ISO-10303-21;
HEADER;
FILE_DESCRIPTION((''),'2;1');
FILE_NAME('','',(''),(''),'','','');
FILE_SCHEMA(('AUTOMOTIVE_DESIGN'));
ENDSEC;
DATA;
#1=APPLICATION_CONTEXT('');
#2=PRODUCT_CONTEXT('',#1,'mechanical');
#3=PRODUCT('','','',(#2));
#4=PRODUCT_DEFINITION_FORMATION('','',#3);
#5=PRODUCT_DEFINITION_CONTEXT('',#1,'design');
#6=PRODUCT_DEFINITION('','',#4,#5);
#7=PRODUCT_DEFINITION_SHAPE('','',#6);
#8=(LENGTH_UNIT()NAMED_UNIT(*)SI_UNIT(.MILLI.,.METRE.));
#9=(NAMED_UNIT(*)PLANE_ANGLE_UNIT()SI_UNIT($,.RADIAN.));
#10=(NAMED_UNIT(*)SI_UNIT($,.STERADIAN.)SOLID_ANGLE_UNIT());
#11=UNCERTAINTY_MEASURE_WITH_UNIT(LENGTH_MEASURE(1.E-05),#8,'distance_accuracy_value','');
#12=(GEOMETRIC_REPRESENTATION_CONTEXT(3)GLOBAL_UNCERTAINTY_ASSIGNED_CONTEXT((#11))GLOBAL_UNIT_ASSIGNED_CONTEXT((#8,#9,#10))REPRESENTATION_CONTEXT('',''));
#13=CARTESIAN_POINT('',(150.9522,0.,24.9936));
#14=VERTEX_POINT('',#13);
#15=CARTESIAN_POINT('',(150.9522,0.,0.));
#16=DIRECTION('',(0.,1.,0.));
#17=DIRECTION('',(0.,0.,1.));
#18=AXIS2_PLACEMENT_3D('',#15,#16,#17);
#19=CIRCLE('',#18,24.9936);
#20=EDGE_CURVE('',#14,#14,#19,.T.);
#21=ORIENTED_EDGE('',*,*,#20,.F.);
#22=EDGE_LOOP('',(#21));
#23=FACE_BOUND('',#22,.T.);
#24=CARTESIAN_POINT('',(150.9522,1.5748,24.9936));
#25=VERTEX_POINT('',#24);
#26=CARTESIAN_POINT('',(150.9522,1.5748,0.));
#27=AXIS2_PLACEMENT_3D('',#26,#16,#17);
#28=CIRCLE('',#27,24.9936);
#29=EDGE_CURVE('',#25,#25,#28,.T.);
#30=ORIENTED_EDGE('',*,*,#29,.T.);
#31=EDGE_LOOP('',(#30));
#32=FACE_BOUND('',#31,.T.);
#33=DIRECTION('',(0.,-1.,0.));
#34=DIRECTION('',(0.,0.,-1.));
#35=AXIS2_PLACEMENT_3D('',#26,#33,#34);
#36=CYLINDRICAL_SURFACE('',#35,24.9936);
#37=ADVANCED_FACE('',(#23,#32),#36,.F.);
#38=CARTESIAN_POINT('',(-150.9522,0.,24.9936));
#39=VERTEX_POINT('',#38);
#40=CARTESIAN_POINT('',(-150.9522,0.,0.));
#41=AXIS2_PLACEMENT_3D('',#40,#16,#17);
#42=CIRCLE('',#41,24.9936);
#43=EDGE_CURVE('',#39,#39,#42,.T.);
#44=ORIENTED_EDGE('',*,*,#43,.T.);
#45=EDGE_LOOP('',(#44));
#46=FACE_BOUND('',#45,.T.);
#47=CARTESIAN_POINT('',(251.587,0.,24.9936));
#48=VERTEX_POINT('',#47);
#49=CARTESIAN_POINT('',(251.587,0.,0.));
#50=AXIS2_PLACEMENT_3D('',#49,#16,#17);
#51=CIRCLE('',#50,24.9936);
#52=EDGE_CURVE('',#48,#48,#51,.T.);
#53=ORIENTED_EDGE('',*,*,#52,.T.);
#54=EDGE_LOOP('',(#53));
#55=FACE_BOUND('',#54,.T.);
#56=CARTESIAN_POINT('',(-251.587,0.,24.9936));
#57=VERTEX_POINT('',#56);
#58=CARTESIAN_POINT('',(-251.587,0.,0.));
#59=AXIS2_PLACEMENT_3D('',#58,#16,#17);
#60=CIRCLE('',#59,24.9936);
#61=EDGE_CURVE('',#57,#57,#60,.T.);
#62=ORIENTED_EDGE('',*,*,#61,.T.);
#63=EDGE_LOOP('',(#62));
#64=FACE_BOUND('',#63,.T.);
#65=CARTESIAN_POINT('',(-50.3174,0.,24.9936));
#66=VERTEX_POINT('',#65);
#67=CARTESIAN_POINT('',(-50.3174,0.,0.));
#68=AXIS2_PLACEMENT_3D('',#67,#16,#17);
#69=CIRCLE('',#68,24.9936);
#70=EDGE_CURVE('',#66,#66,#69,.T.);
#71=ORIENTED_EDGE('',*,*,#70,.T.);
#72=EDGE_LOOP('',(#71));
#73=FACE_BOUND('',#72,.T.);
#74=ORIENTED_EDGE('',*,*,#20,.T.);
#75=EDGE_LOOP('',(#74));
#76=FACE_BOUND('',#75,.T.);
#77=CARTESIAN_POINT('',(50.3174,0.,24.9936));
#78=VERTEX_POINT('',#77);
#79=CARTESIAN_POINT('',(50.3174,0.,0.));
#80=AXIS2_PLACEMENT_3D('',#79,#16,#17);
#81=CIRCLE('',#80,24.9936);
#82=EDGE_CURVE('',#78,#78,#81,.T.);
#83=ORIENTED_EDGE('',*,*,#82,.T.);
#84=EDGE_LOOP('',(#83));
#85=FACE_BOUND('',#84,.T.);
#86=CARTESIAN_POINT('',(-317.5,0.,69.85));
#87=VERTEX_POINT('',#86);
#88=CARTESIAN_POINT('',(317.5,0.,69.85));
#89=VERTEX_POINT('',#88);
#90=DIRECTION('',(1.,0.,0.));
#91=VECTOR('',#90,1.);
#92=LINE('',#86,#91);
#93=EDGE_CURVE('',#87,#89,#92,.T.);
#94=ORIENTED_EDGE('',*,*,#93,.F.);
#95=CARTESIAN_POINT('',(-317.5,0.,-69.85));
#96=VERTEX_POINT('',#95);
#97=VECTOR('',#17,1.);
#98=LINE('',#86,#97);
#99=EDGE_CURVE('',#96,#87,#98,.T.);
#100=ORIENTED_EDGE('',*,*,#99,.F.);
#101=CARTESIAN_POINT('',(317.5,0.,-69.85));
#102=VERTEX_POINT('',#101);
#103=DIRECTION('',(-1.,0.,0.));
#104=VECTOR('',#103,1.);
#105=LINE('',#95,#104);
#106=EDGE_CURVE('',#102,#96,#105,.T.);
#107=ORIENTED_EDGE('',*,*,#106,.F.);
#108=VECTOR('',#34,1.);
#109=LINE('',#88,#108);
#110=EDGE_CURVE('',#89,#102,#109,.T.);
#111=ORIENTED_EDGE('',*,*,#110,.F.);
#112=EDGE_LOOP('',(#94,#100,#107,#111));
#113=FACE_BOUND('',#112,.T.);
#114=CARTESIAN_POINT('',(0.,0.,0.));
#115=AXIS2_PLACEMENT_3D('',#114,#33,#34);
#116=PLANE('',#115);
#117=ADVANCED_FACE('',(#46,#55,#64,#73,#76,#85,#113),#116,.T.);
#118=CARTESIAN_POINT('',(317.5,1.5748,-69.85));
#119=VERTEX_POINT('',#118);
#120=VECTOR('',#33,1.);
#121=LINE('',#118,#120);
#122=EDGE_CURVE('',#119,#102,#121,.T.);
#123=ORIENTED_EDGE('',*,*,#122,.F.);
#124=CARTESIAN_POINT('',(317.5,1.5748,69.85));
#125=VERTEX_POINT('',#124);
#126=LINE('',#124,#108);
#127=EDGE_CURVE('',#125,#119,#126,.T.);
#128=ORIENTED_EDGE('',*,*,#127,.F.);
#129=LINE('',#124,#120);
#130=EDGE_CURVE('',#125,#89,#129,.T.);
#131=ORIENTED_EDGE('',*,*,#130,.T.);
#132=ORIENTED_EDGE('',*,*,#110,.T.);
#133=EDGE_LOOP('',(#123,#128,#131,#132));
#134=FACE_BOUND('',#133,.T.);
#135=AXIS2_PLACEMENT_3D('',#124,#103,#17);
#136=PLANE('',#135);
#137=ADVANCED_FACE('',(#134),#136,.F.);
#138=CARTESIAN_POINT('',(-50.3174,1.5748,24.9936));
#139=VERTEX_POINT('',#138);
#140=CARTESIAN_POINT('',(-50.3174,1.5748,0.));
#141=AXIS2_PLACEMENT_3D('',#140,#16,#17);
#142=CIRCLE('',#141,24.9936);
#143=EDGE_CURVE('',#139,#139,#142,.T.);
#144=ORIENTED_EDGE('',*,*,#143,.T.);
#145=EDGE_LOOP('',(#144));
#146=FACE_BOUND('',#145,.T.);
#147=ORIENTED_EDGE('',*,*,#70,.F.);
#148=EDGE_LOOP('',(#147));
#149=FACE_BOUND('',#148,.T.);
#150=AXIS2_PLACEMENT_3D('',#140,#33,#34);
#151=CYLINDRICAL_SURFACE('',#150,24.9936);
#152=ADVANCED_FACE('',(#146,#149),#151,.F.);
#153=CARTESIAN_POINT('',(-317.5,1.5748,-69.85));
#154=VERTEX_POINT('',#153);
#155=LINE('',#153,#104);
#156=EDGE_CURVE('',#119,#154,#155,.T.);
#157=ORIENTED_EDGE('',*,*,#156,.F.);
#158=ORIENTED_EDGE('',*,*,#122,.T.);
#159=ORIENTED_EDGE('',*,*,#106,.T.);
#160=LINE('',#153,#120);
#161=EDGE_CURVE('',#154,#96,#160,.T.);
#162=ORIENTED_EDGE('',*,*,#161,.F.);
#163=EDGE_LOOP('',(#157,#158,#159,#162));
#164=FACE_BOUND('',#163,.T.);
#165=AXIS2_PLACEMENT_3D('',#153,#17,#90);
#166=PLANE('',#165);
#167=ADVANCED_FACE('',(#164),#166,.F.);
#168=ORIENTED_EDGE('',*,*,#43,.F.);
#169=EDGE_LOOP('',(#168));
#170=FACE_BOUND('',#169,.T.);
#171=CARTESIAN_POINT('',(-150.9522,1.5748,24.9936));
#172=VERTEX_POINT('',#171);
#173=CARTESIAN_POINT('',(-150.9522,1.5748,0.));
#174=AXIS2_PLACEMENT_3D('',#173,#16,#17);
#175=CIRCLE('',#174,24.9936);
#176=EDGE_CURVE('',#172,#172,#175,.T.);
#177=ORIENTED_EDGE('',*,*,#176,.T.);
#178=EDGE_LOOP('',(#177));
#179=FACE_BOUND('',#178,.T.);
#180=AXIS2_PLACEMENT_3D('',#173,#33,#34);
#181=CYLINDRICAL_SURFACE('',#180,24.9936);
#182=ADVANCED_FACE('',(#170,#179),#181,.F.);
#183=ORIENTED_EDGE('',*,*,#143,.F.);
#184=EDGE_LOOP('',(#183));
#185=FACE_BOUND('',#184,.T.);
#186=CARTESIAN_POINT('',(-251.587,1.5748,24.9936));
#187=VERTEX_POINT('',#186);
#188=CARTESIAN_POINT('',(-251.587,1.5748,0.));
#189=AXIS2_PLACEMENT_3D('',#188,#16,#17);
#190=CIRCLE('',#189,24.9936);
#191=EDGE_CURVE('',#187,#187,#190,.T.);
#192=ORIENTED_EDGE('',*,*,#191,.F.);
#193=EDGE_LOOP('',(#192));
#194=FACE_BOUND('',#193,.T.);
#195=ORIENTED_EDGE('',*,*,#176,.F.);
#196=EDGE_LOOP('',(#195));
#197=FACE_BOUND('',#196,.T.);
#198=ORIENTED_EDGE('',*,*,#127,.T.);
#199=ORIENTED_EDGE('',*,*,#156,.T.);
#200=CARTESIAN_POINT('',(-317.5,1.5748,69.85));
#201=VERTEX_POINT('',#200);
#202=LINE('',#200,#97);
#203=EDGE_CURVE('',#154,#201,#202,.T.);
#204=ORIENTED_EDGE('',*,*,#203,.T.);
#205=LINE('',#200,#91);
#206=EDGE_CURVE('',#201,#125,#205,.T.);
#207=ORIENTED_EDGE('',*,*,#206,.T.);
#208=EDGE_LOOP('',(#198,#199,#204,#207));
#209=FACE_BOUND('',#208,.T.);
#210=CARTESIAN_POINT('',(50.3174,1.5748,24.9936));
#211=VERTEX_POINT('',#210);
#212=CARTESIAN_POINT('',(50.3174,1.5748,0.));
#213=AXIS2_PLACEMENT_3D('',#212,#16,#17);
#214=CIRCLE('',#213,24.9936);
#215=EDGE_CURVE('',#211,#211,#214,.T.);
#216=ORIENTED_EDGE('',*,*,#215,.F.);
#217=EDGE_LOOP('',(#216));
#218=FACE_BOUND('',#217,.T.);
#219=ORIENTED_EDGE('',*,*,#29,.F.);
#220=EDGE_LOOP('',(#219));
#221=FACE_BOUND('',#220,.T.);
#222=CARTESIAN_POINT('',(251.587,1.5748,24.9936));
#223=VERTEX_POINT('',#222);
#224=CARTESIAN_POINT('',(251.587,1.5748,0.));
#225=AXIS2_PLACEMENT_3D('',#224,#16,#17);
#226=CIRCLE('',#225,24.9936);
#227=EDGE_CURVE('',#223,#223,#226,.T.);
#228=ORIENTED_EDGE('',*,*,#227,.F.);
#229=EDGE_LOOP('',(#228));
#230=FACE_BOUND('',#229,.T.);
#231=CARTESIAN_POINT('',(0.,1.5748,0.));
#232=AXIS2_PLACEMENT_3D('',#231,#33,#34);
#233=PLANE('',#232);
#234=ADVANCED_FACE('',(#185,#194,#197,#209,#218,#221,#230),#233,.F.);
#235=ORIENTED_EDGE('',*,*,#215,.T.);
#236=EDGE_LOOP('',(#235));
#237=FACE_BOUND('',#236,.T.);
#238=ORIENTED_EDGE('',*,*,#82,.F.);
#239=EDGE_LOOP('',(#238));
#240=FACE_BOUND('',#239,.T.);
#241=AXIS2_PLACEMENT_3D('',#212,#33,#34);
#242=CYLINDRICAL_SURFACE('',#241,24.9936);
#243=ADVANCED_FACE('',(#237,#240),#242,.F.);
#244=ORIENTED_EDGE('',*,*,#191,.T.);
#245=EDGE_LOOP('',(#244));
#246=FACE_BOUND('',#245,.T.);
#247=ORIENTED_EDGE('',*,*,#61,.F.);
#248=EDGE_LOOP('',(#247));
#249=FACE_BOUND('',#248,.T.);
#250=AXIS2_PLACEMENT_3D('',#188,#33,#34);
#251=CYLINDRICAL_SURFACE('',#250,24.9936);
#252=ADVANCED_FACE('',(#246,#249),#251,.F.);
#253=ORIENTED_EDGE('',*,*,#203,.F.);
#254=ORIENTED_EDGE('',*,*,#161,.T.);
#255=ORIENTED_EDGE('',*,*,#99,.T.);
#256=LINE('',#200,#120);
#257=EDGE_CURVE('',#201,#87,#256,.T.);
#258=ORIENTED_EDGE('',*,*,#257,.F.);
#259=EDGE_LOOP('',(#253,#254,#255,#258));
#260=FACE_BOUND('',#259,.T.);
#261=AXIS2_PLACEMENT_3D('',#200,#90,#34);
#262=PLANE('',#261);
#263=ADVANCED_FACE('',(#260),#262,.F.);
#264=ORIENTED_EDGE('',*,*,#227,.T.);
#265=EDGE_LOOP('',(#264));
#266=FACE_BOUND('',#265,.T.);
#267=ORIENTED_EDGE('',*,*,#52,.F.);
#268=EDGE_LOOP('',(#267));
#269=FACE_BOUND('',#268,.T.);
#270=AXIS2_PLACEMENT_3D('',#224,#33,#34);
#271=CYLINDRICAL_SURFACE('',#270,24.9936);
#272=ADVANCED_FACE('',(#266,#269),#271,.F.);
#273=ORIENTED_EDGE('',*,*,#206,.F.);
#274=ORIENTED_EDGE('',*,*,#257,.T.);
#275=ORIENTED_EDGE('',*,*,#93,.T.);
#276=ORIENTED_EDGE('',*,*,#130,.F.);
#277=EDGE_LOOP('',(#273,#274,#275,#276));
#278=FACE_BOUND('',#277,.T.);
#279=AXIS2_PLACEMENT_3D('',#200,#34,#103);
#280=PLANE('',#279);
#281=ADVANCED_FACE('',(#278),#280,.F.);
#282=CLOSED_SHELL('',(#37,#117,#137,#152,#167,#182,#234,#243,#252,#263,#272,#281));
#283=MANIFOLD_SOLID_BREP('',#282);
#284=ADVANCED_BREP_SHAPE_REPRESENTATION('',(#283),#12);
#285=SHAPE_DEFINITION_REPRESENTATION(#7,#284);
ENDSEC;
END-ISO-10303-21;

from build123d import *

# Parameters (mm, degrees)
SKETCH1_W           = 635
SKETCH1_H           = 139.7
SKETCH1_R           = 24.9936
BOSS_EXTRUDE1_DEPTH = 1.5748


with BuildPart() as part:
    # Sketch1 → Boss-Extrude1 (new body)
    with BuildSketch(Plane(origin=(0, 0, 0), x_dir=(1, 0, 0), z_dir=(0, 1, 0))):
        Rectangle(SKETCH1_W, SKETCH1_H)
        with Locations(Location((-251.587, 0, 0), (0, 0, 270))):
            Circle(SKETCH1_R, mode=Mode.SUBTRACT)
        with Locations(Location((-150.9522, 0, 0), (0, 0, 270))):
            Circle(SKETCH1_R, mode=Mode.SUBTRACT)
        with Locations(Location((-50.3174, 0, 0), (0, 0, 270))):
            Circle(SKETCH1_R, mode=Mode.SUBTRACT)
        with Locations(Location((50.3174, 0, 0), (0, 0, 270))):
            Circle(SKETCH1_R, mode=Mode.SUBTRACT)
        with Locations(Location((150.9522, 0, 0), (0, 0, 270))):
            Circle(SKETCH1_R, mode=Mode.SUBTRACT)
        with Locations(Location((251.587, 0, 0), (0, 0, 270))):
            Circle(SKETCH1_R, mode=Mode.SUBTRACT)
    extrude(amount=BOSS_EXTRUDE1_DEPTH)


solid = part.part
